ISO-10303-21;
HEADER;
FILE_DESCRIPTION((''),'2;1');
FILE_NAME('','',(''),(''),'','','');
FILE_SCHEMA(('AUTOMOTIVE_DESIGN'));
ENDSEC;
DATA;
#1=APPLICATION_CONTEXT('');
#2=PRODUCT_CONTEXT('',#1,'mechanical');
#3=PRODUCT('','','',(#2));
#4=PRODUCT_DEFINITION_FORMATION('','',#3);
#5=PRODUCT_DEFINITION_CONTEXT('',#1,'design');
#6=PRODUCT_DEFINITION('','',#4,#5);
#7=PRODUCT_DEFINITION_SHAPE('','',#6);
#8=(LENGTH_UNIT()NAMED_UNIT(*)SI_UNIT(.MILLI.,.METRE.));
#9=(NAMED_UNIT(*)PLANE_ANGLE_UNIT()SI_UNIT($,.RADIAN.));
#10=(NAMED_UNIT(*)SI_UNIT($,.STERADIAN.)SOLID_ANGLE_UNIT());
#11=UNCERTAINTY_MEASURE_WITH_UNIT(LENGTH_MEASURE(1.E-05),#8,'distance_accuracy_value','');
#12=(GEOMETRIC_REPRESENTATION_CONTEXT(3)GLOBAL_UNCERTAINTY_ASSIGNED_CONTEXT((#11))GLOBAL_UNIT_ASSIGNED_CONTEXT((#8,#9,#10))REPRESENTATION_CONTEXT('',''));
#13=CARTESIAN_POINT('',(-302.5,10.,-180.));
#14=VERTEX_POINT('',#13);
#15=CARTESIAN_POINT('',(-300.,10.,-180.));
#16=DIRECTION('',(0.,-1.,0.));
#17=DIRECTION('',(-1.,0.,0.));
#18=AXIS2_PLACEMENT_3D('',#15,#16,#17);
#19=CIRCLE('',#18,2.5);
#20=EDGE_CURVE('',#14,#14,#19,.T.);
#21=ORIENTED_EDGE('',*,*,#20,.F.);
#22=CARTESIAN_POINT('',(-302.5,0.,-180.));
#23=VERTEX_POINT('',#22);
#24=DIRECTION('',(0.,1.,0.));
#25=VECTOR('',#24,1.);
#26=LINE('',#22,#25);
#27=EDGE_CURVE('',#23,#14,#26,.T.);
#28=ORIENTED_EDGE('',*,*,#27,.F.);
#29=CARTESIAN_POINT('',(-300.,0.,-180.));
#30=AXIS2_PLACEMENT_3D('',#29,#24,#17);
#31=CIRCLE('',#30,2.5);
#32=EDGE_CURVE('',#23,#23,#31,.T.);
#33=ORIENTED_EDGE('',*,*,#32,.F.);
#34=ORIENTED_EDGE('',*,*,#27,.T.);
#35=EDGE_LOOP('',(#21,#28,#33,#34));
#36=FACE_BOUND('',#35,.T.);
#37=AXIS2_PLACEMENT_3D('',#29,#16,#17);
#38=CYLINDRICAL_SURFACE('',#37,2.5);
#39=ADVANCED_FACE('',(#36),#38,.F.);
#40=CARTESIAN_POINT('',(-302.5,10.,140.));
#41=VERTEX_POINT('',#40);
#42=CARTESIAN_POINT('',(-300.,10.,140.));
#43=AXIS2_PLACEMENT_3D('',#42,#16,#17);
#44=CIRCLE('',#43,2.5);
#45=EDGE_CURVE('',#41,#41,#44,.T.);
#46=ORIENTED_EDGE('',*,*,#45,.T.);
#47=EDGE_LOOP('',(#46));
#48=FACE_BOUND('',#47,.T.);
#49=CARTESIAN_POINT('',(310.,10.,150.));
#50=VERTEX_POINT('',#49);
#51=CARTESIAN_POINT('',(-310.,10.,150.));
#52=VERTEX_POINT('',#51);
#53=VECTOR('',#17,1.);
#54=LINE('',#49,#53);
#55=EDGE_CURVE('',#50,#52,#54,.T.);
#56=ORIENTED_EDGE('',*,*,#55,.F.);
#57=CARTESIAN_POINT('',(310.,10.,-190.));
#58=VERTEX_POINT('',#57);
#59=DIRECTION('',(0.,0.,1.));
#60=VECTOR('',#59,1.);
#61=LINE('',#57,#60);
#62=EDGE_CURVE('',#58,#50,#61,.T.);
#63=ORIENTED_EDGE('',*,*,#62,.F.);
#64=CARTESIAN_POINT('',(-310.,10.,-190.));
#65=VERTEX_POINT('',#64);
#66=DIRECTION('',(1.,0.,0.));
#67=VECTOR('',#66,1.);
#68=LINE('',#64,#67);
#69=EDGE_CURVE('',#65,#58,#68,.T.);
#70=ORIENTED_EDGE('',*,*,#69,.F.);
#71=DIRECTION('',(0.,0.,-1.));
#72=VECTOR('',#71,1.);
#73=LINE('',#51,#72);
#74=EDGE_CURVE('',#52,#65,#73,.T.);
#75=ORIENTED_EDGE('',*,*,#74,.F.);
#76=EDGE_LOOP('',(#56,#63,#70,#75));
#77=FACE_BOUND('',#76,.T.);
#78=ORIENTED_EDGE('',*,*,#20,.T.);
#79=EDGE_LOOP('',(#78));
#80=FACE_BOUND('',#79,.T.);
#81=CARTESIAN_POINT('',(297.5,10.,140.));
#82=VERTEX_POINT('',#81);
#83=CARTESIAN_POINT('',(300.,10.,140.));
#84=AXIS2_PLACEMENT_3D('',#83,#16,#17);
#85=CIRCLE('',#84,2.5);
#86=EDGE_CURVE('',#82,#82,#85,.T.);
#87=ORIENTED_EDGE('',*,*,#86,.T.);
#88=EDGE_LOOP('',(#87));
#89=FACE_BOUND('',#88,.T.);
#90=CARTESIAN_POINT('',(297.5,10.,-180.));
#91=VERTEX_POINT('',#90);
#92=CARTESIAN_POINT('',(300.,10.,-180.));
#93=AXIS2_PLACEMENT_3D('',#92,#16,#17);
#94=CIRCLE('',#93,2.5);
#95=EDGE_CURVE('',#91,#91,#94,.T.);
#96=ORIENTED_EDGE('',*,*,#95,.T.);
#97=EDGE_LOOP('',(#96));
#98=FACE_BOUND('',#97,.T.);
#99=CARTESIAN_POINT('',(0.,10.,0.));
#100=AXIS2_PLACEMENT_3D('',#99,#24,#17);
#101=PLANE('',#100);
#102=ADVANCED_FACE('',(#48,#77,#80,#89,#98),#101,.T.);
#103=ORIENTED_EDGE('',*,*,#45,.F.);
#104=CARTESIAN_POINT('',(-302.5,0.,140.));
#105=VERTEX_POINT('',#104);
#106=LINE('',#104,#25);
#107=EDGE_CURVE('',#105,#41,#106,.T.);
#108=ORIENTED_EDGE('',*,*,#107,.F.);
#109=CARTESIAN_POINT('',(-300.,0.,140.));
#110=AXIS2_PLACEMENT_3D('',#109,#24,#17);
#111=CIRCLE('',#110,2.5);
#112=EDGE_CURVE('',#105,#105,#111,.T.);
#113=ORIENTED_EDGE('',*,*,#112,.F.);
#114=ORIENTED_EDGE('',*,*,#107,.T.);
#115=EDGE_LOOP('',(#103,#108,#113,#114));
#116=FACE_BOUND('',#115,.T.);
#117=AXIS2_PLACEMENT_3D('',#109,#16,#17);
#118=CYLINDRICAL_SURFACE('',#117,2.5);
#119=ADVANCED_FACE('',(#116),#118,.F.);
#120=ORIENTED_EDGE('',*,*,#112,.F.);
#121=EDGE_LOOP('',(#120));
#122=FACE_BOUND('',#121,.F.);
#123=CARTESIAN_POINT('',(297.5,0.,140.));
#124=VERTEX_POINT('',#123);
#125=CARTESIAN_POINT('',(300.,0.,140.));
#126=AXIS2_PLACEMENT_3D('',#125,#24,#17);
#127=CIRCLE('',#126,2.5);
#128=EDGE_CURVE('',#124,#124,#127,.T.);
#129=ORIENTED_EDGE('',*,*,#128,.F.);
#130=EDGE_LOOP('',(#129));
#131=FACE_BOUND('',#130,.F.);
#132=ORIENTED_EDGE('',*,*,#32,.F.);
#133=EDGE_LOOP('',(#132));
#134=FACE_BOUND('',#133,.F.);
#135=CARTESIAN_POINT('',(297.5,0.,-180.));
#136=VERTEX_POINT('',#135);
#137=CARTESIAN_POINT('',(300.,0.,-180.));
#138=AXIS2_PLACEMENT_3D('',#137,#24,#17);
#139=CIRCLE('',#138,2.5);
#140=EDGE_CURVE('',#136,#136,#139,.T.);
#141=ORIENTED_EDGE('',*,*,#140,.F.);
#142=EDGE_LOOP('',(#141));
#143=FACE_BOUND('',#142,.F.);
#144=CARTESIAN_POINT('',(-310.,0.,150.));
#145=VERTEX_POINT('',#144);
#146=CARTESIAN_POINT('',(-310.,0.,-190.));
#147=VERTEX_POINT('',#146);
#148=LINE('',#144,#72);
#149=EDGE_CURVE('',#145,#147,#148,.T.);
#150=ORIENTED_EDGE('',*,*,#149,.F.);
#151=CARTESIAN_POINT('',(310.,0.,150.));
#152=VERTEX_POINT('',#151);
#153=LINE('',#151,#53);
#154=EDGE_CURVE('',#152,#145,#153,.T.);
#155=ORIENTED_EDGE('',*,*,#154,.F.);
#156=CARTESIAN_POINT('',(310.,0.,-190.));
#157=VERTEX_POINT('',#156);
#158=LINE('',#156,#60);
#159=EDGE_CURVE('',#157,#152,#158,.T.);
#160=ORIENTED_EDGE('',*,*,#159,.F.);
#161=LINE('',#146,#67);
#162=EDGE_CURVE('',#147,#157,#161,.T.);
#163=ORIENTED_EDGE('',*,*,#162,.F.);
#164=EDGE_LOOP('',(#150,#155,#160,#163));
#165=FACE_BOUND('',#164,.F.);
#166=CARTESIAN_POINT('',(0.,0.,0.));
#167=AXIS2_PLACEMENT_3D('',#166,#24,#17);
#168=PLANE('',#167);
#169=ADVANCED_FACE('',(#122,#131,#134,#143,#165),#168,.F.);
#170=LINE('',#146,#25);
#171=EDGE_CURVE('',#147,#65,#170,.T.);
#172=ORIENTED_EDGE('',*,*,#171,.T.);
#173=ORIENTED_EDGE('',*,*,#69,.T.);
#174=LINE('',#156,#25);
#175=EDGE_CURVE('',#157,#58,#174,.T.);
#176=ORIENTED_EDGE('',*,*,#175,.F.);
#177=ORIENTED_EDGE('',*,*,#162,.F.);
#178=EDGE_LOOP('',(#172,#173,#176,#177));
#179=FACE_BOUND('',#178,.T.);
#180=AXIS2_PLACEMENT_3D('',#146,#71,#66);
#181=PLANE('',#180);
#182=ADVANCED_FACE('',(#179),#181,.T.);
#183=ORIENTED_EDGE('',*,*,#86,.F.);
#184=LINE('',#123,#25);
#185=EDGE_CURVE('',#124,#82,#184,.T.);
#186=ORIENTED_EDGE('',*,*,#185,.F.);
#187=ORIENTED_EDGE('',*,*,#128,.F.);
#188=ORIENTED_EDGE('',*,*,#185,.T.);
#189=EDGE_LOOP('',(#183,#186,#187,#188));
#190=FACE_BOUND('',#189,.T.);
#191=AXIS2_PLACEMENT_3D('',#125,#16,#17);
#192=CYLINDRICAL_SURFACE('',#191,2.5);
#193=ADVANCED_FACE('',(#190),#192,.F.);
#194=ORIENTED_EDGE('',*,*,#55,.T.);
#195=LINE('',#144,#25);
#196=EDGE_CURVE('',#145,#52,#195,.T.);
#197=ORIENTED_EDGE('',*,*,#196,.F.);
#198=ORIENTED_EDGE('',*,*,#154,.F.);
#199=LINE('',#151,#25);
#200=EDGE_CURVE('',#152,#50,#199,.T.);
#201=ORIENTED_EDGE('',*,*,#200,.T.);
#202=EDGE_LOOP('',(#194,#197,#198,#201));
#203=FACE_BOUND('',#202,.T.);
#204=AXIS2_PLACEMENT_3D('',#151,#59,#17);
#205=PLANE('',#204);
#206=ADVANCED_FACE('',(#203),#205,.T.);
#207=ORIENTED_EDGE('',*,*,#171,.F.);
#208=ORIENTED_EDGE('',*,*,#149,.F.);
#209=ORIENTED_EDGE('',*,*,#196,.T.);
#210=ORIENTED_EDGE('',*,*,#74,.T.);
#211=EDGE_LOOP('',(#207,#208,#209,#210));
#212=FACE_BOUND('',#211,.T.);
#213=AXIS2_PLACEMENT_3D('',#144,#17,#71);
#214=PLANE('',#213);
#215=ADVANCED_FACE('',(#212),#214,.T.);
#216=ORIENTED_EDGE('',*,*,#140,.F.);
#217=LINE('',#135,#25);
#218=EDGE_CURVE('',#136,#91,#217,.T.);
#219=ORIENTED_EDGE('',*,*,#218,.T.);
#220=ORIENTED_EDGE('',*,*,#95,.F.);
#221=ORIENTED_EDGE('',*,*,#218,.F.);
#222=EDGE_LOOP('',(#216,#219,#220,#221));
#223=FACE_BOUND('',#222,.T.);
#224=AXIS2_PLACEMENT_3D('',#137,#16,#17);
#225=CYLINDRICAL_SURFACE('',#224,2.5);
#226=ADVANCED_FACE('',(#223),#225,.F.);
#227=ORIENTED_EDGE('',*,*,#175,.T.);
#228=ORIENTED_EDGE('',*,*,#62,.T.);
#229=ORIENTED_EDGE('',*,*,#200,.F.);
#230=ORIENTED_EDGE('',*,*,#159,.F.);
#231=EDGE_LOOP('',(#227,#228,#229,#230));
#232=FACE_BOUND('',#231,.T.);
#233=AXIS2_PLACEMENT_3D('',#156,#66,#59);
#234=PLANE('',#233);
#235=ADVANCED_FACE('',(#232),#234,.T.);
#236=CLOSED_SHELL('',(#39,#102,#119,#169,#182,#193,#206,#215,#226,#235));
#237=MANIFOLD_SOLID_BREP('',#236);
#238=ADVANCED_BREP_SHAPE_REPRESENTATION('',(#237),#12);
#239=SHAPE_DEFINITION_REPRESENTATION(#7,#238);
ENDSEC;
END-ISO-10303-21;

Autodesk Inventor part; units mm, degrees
ref_plane "YZ Plane" through (0, 0, 0) normal (1, 0, 0) x (0, 1, 0)
ref_plane "XZ Plane" through (0, 0, 0) normal (0, 1, 0) x (-1, 0, 0)
ref_plane "XY Plane" through (0, 0, 0) normal (0, 0, 1) x (1, 0, 0)
sketch "Sketch1" plane through (0, 0, 0) normal (0, 1, 0) x (-1, 0, 0)
  line L0 (-310, 150) -> (310, 150)
  line L1 (310, 150) -> (310, -190)
  line L2 (310, -190) -> (-310, -190)
  line L3 (-310, -190) -> (-310, 150)
  line L4 (-300, -180) -> (300, -180)
  line L5 (300, -180) -> (300, 140)
  line L6 (300, 140) -> (-300, 140)
  line L7 (-300, 140) -> (-300, -180)
  circle A0 centre (300, -180) radius 2.5
  circle A1 centre (-300, -180) radius 2.5
  circle A2 centre (-300, 140) radius 2.5
  circle A3 centre (300, 140) radius 2.5
  point P0 (0, 0)
  dimension "d0" = 620
  dimension "d1" = 340
  dimension "d2" = 10
  dimension "d3" = 5
  dimension "d4" = 5
  dimension "d5" = 5
  dimension "d6" = 5
extrude "Extrusion1" add sketch "Sketch1" along normal blind 10 contours L0 L1 L2 L3 | A1 L7 A2 L6 A3 L5 A0 L4
properties part number "CaraSuperior"
